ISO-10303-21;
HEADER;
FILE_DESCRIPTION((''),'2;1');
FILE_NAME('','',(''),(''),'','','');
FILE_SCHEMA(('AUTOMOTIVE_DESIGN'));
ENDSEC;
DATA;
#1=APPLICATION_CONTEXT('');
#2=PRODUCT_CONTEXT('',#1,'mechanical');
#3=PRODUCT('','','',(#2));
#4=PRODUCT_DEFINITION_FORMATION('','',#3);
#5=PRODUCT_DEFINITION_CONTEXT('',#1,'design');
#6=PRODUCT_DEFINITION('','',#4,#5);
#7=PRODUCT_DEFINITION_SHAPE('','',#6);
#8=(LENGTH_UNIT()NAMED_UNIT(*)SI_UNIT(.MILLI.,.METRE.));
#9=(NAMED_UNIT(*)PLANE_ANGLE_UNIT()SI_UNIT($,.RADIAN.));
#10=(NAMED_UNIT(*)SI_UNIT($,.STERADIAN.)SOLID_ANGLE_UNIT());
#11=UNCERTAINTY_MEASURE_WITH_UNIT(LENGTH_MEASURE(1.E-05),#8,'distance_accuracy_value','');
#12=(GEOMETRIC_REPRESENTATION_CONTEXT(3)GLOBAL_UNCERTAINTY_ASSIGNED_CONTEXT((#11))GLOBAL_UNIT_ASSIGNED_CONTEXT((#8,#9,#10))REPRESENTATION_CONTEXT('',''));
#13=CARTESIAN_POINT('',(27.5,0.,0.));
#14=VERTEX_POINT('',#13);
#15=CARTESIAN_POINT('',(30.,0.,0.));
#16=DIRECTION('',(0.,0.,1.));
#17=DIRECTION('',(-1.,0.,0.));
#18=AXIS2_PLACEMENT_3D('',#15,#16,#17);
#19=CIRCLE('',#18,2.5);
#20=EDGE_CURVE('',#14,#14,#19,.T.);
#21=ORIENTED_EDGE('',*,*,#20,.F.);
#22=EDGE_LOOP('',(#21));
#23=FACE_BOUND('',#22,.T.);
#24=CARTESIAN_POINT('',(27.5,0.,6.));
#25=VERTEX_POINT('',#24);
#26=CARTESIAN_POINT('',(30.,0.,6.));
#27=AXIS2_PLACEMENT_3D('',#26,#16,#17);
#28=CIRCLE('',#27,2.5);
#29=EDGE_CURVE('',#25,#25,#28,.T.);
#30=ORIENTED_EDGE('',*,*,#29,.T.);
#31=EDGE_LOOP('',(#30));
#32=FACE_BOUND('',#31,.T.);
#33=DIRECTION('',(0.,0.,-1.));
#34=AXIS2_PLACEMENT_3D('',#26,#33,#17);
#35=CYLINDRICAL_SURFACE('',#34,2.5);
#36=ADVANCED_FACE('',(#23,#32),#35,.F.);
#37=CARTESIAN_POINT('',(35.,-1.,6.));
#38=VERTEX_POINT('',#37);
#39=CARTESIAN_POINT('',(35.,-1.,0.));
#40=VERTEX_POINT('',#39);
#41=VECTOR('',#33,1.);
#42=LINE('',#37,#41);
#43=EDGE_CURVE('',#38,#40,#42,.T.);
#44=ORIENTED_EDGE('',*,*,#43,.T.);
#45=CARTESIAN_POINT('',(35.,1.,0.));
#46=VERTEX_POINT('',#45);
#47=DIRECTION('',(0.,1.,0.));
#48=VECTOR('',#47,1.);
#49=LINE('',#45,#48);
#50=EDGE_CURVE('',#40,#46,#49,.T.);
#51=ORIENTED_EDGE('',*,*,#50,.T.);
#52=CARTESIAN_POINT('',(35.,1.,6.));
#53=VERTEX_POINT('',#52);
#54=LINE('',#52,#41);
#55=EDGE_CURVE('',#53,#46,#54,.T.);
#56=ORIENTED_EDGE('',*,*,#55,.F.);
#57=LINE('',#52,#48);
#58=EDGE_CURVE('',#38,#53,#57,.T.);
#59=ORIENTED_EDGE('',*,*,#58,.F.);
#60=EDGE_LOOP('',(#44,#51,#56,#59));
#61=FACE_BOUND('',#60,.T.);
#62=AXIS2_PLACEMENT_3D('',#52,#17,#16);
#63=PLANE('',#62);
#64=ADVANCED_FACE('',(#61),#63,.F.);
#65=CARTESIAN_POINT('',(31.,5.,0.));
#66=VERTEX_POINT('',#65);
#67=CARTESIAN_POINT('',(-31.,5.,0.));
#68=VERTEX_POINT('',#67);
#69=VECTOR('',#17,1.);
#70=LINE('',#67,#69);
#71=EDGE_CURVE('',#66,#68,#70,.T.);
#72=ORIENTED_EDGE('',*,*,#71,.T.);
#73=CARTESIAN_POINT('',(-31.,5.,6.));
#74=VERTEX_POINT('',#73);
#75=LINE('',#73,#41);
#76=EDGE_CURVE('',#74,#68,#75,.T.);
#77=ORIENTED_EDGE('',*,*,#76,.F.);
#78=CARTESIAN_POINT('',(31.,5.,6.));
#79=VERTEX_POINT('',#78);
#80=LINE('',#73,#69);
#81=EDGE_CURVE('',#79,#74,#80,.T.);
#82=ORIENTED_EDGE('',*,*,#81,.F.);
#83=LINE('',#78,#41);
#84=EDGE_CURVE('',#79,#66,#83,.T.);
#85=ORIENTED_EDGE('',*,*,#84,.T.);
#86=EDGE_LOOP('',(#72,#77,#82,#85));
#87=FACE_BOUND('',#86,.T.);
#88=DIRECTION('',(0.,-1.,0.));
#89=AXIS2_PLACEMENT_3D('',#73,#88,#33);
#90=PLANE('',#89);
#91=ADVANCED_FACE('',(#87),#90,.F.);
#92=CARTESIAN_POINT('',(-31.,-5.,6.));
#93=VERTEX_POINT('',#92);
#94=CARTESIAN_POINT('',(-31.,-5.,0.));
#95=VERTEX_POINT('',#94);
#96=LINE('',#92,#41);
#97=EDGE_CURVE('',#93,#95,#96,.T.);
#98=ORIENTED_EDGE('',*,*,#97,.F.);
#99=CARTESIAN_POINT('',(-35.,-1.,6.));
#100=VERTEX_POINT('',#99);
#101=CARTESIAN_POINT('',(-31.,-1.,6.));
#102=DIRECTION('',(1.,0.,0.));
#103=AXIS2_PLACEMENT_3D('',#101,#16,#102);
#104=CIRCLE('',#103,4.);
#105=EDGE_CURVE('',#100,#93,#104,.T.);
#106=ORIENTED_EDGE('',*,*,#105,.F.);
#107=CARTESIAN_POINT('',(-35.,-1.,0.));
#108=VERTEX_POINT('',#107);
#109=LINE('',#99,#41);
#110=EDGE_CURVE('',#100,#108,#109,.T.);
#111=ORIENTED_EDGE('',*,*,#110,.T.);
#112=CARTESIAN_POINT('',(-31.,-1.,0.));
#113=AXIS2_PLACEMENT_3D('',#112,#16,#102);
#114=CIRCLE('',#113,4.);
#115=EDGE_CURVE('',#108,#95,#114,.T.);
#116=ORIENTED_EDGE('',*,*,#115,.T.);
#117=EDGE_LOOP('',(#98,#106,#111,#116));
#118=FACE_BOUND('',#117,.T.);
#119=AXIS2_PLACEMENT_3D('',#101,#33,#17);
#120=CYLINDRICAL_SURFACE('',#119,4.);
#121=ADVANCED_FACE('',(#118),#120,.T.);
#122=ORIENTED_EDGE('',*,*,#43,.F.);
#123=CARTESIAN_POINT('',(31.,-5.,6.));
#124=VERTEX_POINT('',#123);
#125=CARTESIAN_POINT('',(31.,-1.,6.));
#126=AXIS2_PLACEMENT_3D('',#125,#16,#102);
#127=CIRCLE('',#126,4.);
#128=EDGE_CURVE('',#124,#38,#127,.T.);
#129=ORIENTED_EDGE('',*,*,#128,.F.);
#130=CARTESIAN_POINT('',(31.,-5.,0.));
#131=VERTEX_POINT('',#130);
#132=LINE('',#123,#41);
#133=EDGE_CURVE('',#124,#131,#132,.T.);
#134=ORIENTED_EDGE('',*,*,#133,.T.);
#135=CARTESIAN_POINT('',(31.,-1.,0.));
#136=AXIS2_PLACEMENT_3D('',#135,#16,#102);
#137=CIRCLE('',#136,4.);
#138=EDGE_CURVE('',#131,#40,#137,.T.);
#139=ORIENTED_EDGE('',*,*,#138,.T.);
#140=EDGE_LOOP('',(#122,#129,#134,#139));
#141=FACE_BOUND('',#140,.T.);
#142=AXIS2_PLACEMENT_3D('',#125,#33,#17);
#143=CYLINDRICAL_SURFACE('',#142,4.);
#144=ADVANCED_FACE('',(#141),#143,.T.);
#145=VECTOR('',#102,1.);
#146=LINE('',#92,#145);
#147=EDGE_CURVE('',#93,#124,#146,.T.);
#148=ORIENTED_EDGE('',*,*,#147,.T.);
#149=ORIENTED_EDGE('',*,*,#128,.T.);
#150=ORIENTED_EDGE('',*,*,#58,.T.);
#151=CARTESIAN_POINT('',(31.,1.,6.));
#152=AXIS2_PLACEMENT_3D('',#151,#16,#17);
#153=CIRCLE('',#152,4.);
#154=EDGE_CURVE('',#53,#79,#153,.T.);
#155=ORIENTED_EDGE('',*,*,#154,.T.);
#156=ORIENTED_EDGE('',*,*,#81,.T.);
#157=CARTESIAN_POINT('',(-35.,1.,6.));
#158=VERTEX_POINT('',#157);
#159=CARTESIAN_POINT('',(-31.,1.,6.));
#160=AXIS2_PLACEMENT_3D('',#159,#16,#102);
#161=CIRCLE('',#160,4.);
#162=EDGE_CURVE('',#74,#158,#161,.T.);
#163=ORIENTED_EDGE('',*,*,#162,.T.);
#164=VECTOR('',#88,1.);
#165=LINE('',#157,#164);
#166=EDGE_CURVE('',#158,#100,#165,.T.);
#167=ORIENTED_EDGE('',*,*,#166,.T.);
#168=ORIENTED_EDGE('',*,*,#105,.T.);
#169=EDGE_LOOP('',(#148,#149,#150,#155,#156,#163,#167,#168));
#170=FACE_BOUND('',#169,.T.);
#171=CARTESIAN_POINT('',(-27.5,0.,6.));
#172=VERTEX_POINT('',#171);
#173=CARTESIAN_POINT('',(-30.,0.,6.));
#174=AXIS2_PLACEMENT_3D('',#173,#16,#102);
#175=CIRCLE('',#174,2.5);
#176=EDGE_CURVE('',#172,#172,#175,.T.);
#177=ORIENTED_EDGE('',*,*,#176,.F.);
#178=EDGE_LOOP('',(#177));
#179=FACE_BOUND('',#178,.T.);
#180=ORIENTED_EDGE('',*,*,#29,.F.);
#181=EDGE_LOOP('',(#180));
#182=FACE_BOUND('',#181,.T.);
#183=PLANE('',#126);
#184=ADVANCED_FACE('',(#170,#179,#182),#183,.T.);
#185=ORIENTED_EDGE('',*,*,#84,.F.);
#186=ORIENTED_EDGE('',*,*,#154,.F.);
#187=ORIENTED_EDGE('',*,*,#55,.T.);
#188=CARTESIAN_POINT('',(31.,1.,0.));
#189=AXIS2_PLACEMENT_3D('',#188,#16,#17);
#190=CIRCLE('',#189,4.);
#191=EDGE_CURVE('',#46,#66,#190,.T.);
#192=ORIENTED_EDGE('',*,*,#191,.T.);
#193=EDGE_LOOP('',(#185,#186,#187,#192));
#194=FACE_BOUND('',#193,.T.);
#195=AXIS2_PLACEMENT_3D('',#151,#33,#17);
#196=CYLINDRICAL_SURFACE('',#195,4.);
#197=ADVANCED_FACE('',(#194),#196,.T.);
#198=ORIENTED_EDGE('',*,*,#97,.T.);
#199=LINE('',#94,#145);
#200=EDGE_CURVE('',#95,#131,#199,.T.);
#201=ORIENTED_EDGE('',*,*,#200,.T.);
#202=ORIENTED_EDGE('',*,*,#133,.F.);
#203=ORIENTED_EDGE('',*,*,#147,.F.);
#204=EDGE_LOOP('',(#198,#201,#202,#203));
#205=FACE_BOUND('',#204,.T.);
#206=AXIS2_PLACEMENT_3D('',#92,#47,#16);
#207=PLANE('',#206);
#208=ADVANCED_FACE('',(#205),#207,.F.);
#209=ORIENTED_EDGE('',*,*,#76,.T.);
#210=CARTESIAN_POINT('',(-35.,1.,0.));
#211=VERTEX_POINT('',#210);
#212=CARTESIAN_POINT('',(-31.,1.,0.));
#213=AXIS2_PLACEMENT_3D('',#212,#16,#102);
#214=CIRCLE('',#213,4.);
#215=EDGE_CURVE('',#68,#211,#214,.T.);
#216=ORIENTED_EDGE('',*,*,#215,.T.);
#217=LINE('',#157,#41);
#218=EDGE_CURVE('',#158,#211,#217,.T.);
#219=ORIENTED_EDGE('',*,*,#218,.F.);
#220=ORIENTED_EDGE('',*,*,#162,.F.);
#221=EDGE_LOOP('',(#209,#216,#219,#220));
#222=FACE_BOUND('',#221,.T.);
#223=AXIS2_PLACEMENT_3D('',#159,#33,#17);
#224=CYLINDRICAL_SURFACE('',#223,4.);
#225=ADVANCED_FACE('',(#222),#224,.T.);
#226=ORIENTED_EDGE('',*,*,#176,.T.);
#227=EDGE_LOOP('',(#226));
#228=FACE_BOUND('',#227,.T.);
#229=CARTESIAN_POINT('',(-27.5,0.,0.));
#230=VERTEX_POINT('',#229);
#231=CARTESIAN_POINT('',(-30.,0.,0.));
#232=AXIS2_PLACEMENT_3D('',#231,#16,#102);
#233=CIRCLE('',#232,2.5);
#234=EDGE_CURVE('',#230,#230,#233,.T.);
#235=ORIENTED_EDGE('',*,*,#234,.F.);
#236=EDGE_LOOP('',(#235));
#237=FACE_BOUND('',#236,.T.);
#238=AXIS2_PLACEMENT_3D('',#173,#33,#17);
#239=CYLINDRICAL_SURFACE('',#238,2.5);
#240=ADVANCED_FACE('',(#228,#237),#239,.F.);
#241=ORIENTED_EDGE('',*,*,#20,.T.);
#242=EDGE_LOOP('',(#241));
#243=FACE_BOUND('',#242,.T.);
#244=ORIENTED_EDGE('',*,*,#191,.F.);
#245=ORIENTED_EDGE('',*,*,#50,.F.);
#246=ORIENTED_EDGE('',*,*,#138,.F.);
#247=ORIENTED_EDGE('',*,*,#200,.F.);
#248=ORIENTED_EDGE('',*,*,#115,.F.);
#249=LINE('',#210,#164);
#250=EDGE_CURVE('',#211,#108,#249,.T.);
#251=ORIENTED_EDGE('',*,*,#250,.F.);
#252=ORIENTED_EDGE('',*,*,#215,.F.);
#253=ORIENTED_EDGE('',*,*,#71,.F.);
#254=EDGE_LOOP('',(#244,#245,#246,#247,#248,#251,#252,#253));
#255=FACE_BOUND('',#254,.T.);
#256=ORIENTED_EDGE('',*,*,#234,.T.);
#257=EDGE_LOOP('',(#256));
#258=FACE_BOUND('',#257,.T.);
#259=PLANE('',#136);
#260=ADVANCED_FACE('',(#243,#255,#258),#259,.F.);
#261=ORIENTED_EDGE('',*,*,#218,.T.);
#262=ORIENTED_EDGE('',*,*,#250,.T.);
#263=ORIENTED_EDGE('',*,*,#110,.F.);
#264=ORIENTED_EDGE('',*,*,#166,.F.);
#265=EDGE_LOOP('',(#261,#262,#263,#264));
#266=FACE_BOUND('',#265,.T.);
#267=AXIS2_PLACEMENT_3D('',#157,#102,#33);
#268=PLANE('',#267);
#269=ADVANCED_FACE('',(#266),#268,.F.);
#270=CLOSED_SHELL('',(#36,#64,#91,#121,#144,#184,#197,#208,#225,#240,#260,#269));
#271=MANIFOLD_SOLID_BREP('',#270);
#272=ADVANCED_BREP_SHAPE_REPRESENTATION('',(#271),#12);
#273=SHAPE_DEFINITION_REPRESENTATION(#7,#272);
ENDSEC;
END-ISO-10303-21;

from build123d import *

# Parameters (mm, degrees)
SKETCH1_R           = 2.5
BOSS_EXTRUDE1_DEPTH = 6


with BuildPart() as part:
    # Sketch1 → Boss-Extrude1 (new body)
    with BuildSketch(Plane.XY):
        with BuildLine():
            Line((-31, 5), (31, 5))
            ThreePointArc((31, 5), (33.828427125, 3.828427125), (35, 1))
            Line((35, 1), (35, -1))
            ThreePointArc((35, -1), (33.828427125, -3.828427125), (31, -5))
            Line((31, -5), (-31, -5))
            ThreePointArc((-31, -5), (-33.828427125, -3.828427125), (-35, -1))
            Line((-35, -1), (-35, 1))
            ThreePointArc((-35, 1), (-33.828427125, 3.828427125), (-31, 5))
        make_face()
        with Locations((-30, 0)):
            Circle(SKETCH1_R, mode=Mode.SUBTRACT)
        with Locations(Location((30, 0, 0), (0, 0, 180))):
            Circle(SKETCH1_R, mode=Mode.SUBTRACT)
    extrude(amount=BOSS_EXTRUDE1_DEPTH)


solid = part.part
